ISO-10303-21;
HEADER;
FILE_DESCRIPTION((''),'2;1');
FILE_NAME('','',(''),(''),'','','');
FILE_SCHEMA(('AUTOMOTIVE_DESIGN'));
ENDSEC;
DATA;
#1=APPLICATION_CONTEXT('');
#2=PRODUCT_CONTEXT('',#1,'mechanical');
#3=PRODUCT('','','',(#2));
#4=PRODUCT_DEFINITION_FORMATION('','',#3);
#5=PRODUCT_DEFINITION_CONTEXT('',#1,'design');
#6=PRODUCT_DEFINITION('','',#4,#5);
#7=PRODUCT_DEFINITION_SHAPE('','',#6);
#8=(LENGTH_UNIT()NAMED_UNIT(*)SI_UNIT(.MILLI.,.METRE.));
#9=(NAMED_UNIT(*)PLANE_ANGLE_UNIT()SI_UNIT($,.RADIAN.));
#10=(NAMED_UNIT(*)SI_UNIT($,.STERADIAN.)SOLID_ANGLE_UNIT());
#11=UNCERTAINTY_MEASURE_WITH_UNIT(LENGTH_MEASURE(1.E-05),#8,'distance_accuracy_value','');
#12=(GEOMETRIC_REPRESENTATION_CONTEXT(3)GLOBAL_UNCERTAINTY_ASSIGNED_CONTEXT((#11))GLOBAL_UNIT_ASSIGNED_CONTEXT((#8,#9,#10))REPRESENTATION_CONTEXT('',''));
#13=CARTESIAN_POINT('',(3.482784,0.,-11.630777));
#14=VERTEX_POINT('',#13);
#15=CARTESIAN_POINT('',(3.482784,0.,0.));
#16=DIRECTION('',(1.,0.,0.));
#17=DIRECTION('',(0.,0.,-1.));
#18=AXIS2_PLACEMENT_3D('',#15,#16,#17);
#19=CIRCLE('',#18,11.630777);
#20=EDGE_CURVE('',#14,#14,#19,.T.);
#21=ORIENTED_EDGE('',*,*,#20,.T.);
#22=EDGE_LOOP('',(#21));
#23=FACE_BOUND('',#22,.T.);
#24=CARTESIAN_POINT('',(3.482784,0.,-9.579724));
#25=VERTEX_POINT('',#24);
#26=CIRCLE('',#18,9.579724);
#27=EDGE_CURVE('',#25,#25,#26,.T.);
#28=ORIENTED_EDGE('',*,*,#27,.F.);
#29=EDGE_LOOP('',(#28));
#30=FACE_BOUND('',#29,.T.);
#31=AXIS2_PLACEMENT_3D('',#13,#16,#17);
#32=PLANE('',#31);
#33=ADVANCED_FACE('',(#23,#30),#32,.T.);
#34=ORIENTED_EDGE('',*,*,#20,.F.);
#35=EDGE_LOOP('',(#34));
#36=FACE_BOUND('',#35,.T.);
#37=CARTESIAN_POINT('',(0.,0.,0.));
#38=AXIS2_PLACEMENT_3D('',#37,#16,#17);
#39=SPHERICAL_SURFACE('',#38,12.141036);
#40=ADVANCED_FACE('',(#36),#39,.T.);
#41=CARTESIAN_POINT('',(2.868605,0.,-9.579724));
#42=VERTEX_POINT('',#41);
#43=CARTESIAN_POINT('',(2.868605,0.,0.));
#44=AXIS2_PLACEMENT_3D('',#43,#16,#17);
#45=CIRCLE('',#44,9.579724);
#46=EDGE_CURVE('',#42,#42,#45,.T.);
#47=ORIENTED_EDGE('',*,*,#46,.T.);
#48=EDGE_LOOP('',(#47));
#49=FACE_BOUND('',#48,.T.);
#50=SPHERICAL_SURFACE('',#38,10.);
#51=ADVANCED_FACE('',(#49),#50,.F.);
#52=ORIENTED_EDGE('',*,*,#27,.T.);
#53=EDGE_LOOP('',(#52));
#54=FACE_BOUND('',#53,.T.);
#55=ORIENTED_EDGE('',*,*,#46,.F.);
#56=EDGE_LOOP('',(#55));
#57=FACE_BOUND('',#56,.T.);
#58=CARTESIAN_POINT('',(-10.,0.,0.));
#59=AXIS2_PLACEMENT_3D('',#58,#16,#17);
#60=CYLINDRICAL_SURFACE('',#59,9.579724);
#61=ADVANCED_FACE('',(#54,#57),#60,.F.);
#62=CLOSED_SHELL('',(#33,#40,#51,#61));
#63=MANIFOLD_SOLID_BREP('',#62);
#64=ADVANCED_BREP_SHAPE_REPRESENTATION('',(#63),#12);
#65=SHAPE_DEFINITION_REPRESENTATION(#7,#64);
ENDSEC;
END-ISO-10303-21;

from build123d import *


with BuildPart() as part:
    # Croquis1 → Revolución1 (revolve)
    with BuildSketch(Plane(origin=(0, 0, 0), x_dir=(1, 0, 0), z_dir=(0, 1, 0))):
        with BuildLine():
            Line((-10, 0), (-12.14103606, 0))
            ThreePointArc((-12.14103606, 0), (-7.249832975, 9.738823258), (3.482783518, 11.630777084))
            Line((3.482783518, 11.630777084), (3.482783518, 9.579723696))
            Line((3.482783518, 9.579723696), (2.868604871, 9.579723696))
            ThreePointArc((2.868604871, 9.579723696), (-5.971346217, 8.021410372), (-10, 0))
        make_face()
    revolve(axis=Axis((-10, 0, 0), (-1, 0, 0)))


solid = part.part
